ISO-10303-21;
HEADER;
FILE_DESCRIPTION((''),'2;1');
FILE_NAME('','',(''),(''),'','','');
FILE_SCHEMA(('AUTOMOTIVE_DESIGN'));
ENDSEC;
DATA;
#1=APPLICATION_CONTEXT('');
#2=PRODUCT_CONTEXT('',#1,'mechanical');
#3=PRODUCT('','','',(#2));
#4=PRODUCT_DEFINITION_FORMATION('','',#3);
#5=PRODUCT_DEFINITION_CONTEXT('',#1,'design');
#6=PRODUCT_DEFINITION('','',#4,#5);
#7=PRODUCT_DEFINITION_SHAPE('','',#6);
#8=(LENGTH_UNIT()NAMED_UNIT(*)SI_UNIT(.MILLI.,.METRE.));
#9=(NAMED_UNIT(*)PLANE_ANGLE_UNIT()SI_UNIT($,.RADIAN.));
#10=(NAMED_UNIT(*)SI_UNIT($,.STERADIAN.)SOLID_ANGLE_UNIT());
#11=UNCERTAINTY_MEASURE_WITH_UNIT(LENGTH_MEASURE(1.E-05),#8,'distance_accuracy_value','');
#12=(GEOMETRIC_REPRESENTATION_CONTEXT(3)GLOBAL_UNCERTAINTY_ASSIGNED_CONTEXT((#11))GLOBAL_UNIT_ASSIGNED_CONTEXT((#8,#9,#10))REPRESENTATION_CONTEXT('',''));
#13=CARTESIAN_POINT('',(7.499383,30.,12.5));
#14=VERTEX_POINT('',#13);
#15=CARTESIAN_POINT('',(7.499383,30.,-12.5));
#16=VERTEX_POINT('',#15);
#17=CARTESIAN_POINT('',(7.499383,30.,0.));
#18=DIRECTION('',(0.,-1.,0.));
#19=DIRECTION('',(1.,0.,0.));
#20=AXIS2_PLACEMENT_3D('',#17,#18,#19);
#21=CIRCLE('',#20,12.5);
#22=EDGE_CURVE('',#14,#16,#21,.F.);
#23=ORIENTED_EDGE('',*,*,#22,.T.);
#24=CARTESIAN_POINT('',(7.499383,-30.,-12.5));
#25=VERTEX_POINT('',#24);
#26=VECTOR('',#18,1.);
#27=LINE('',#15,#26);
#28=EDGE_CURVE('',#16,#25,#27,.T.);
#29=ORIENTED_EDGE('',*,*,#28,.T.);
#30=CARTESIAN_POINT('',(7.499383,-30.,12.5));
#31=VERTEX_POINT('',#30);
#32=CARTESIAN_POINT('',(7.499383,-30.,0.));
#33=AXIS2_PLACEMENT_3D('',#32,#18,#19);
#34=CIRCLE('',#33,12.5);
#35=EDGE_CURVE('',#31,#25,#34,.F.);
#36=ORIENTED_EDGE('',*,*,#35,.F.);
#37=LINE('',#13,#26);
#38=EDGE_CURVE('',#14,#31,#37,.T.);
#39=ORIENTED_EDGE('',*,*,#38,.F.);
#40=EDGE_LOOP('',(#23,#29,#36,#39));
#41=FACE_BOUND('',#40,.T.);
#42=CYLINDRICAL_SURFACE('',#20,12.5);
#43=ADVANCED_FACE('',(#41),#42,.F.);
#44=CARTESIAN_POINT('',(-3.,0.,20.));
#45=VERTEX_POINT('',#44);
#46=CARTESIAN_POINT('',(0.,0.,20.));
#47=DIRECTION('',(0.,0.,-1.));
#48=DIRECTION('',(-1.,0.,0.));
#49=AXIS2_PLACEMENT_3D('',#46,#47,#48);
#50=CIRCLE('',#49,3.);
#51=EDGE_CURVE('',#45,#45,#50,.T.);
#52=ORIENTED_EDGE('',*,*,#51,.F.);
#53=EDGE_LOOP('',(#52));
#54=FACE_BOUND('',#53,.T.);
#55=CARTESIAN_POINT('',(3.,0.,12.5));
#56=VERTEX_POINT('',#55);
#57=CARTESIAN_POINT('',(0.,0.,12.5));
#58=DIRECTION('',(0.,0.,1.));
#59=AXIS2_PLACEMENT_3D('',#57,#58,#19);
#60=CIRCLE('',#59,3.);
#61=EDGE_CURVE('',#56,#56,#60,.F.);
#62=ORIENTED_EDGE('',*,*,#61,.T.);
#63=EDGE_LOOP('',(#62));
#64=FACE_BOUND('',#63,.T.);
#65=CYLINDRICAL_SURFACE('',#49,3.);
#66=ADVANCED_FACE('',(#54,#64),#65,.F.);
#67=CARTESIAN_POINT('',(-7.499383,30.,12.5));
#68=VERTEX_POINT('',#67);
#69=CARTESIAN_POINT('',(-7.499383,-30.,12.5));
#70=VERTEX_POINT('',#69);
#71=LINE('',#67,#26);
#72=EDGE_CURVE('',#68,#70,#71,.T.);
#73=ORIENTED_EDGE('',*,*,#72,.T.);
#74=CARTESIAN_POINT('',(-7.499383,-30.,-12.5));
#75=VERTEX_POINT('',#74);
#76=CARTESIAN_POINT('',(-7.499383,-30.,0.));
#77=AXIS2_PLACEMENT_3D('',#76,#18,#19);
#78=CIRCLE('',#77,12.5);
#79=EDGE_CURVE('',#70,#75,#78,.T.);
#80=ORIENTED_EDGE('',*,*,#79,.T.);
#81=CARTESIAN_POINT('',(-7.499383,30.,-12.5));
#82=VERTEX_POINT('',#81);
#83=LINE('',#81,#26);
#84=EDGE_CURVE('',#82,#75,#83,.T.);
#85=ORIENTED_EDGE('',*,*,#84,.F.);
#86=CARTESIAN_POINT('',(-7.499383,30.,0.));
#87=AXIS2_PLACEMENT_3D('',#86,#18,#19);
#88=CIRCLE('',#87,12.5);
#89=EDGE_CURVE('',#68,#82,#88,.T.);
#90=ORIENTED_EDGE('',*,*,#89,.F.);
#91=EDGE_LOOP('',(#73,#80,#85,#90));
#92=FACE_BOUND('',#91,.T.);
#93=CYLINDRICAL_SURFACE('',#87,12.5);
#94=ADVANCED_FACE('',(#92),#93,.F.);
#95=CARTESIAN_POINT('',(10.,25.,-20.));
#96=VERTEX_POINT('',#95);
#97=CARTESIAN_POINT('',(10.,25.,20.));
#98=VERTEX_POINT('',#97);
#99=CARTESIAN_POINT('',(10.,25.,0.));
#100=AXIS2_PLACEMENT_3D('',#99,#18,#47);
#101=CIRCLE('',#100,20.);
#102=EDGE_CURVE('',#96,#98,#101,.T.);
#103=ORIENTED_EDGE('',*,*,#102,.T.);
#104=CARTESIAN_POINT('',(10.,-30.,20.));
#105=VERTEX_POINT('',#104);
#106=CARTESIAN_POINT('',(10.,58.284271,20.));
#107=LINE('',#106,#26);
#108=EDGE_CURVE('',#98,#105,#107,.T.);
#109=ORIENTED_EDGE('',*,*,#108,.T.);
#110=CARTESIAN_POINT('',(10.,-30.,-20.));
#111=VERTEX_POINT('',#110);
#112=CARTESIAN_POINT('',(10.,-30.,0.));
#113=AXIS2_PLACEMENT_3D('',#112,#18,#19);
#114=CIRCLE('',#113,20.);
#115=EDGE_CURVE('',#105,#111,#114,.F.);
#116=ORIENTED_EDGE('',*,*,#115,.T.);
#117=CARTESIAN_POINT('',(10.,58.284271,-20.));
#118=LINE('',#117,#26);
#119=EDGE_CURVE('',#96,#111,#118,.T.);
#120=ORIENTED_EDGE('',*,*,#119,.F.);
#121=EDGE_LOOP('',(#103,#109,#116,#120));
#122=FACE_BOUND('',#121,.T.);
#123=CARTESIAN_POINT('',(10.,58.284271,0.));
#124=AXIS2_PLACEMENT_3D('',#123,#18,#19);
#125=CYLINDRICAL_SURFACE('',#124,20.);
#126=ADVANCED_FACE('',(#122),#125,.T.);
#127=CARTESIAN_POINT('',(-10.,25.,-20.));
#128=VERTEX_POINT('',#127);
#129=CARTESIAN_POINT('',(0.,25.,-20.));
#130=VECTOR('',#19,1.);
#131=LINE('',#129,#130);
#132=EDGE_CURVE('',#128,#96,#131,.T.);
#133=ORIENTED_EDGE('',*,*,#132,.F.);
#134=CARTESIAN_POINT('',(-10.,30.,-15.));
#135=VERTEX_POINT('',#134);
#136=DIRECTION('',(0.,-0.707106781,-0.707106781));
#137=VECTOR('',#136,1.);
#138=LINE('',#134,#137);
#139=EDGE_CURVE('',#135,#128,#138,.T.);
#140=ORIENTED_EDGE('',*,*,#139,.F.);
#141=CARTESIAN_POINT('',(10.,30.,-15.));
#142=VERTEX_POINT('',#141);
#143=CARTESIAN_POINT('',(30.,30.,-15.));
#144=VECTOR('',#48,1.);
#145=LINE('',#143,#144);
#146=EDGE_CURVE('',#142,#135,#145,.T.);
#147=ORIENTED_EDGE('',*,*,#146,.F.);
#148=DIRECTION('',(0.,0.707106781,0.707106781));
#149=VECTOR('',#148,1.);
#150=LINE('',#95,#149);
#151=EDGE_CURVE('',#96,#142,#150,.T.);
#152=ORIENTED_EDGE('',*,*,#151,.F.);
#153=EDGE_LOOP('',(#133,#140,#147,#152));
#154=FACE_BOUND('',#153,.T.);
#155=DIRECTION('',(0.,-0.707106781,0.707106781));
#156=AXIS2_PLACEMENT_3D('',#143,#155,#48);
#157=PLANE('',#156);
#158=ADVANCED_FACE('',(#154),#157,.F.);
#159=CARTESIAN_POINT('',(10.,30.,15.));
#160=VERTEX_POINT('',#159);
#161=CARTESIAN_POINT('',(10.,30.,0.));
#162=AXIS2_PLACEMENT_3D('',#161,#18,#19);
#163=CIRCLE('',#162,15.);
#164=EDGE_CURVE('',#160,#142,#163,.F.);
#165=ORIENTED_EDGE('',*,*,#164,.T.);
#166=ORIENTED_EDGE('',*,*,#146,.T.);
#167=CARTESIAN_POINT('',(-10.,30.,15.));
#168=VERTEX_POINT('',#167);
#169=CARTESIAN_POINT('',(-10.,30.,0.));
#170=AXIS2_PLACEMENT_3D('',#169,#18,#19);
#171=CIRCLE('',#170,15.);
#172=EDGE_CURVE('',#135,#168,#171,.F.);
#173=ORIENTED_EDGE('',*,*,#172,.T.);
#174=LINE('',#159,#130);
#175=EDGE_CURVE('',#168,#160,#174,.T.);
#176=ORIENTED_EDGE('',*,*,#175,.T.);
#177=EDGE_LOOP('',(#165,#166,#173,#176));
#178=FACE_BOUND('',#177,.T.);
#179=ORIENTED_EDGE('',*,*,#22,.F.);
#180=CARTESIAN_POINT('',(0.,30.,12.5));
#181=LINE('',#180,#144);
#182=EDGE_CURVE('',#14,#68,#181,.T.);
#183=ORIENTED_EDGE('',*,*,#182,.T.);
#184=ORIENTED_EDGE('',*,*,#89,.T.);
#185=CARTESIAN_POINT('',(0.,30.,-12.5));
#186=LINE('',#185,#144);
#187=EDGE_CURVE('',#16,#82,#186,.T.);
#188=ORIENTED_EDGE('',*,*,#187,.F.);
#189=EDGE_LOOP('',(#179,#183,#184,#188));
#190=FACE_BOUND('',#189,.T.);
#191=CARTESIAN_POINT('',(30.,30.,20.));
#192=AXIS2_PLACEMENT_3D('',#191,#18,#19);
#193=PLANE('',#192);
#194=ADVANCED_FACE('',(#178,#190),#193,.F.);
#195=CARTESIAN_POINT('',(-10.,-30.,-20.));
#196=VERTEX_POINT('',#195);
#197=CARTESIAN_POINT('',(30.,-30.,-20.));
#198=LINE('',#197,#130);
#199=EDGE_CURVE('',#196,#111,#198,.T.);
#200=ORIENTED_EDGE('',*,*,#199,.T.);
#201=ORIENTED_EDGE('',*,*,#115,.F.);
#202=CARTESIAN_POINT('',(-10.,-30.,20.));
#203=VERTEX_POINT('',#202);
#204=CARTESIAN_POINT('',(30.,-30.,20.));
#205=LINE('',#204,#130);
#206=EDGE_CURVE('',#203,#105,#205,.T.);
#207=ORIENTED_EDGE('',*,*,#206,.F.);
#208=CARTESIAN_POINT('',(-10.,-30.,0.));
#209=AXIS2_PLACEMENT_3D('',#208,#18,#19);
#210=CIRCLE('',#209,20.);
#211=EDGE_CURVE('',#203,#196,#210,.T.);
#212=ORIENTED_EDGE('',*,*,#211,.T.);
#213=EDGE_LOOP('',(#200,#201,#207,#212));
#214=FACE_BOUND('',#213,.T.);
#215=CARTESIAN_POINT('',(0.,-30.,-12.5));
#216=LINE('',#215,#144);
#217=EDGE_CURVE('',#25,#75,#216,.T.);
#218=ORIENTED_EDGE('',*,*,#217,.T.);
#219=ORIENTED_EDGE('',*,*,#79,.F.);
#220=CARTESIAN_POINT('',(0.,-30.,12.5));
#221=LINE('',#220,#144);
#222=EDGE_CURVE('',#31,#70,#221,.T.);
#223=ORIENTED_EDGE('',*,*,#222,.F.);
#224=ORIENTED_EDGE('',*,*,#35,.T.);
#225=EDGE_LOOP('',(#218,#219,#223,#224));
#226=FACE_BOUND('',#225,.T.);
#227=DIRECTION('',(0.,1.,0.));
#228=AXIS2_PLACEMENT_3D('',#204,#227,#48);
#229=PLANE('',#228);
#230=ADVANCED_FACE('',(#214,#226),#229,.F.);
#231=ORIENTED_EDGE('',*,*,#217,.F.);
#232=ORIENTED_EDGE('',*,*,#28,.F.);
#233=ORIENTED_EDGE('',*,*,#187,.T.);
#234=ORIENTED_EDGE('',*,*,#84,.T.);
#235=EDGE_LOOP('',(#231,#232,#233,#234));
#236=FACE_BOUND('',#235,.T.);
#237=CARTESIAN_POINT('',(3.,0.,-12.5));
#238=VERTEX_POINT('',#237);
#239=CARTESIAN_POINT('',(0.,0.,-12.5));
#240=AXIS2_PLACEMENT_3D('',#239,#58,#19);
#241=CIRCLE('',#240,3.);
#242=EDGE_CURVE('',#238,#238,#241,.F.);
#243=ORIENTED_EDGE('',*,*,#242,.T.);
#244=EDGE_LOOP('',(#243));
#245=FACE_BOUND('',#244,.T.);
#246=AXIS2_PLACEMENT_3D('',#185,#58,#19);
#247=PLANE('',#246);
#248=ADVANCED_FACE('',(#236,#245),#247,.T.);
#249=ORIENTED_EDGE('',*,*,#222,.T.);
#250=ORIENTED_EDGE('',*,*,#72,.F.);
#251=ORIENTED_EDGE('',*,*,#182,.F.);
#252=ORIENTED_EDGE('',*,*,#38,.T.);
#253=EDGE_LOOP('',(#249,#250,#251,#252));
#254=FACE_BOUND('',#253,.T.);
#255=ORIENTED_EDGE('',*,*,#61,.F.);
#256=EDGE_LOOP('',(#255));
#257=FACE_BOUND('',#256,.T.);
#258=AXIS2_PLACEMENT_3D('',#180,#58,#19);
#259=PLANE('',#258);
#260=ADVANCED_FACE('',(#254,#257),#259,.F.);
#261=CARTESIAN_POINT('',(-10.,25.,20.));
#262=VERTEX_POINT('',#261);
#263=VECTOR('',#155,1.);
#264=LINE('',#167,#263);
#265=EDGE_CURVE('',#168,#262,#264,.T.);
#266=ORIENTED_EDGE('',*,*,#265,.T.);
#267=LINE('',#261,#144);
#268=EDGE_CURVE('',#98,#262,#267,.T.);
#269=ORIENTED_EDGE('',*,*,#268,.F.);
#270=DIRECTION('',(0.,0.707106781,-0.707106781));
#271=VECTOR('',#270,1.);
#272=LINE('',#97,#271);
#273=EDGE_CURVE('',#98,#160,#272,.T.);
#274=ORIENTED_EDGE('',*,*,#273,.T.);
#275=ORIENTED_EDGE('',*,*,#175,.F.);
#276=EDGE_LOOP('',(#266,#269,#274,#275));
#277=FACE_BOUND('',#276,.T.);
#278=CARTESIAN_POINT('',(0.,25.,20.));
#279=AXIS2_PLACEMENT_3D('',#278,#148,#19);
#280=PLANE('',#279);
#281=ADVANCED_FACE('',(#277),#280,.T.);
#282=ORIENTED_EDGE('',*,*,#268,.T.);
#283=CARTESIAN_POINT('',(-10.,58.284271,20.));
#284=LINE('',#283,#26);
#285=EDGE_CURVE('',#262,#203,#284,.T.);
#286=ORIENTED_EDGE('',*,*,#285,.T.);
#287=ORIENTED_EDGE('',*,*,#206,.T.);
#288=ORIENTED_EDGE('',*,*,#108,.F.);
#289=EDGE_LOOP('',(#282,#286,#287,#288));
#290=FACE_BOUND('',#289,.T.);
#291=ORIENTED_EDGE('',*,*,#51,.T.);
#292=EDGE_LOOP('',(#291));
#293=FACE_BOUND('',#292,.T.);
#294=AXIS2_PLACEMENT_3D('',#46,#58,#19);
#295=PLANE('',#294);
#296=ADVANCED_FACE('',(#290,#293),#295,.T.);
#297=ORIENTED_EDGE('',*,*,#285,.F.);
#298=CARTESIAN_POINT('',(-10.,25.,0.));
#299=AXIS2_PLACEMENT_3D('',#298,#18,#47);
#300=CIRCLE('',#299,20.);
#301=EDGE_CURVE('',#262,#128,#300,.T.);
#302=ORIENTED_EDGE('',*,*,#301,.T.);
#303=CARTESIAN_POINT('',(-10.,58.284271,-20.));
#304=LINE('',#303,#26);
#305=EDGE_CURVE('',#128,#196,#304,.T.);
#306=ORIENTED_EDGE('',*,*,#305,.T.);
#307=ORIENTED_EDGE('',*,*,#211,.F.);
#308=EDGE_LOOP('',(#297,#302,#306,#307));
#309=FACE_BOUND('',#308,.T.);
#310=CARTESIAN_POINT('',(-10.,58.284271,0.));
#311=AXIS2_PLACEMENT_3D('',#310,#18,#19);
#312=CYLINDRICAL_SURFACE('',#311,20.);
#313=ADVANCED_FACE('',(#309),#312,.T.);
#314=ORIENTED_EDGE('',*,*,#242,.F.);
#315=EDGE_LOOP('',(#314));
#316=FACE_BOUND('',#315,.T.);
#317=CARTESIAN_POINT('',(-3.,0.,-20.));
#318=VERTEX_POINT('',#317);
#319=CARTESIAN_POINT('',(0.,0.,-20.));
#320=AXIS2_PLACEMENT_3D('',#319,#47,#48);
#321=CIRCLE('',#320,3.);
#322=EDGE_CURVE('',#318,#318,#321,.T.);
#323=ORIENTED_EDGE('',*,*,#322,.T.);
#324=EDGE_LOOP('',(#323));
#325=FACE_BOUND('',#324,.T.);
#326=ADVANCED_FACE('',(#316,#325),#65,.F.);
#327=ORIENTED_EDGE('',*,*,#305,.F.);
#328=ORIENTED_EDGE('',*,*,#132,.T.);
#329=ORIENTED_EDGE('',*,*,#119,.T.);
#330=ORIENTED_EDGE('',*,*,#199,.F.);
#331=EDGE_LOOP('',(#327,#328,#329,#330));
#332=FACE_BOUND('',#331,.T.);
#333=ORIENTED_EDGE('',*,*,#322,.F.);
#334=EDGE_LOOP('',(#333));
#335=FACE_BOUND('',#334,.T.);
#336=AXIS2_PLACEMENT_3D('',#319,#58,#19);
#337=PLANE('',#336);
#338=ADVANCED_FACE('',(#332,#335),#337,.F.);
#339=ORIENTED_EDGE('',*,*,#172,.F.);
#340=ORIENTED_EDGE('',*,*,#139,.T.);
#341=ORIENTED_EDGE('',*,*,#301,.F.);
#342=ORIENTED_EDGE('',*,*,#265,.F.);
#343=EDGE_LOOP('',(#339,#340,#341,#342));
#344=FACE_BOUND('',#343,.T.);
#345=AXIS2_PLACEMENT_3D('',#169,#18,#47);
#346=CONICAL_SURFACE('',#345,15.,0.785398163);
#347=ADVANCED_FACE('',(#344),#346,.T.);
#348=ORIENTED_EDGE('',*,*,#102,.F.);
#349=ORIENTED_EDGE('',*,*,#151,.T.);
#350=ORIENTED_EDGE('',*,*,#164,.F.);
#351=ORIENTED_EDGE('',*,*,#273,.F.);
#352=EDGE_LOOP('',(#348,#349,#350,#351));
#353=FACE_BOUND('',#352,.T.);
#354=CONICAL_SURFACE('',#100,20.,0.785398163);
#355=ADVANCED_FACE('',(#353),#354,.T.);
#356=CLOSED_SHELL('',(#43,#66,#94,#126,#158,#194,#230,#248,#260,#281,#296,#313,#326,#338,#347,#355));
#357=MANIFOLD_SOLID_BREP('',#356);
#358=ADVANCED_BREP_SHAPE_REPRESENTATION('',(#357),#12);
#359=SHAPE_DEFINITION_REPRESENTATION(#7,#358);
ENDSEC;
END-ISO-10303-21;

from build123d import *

# Parameters (mm, degrees)
SKETCH1_W           = 60
SKETCH1_H           = 60
BOSS_EXTRUDE1_DEPTH = 20
CUT_EXTRUDE1_DEPTH  = 60
CHAMFER1_SIZE       = 5
SKETCH6_R           = 3
CUT_EXTRUDE2_DEPTH  = 59.309518948
SKETCH9_R           = 12.5
CUT_EXTRUDE4_DEPTH  = 71


with BuildPart() as part:
    # Sketch1 → Boss-Extrude1 (new, symmetric)
    with BuildSketch(Plane.XY):
        Rectangle(SKETCH1_W, SKETCH1_H)
    extrude(amount=BOSS_EXTRUDE1_DEPTH, both=True)

    # Sketch5 → Cut-Extrude1 (cut)
    with BuildSketch(Plane.XZ.offset(30)):
        with BuildLine():
            ThreePointArc((30, 0), (24.142135624, -14.142135624), (10, -20))
            Line((10, -20), (30, -20))
            Line((30, -20), (30, 0))
        make_face()
        with BuildLine():
            Line((30, 20), (10.000000023, 20))
            ThreePointArc((10.000000023, 20), (24.142135632, 14.142135615), (30, 0))
            Line((30, 0), (30, 20))
        make_face()
        with BuildLine():
            ThreePointArc((-30, -1.4e-08), (-24.142135621, 14.142135627), (-9.999999977, 20))
            Line((-9.999999977, 20), (-30, 20))
            Line((-30, 20), (-30, -1.4e-08))
        make_face()
        with BuildLine():
            Line((-30, -20), (-10, -20))
            ThreePointArc((-10, -20), (-24.142135619, -14.142135629), (-30, -1.4e-08))
            Line((-30, -1.4e-08), (-30, -20))
        make_face()
    extrude(amount=-CUT_EXTRUDE1_DEPTH, mode=Mode.SUBTRACT)

    # Chamfer1
    chamfer1_edges = [part.edges().sort_by_distance(p)[0] for p in [
        (0, 30, -20),
        (30, 30, -1.2e-08),
        (-30, 30, 1.2e-08),
        (2.3e-08, 30, 20),
    ]]
    chamfer(chamfer1_edges, length=CHAMFER1_SIZE)

    # Sketch6 → Cut-Extrude2 (cut, through all)
    with BuildSketch(Plane(origin=(0, 0, -20), x_dir=(-1, 0, 0), z_dir=(0, 0, -1))):
        Circle(SKETCH6_R)
    extrude(amount=-CUT_EXTRUDE2_DEPTH, mode=Mode.SUBTRACT)

    # Sketch9 → Cut-Extrude4 (cut, through all)
    with BuildSketch(Plane.XZ.offset(30)):
        with Locations((-7.499382611, 0)):
            Circle(SKETCH9_R)
        with Locations((7.499382611, 0)):
            Circle(SKETCH9_R)
        with BuildLine():
            ThreePointArc((0, 10.000463012), (3.546901596, 11.858663239), (7.499382611, 12.5))
            Line((7.499382611, 12.5), (-7.499382623, 12.5))
            ThreePointArc((-7.499382623, 12.5), (-3.546901601, 11.858663241), (0, 10.000463012))
        make_face()
        with BuildLine():
            Line((-7.499382656, -12.5), (7.499382577, -12.5))
            ThreePointArc((7.499382577, -12.5), (3.54690158, -11.858663234), (0, -10.000463012))
            ThreePointArc((0, -10.000463012), (-3.546901617, -11.858663246), (-7.499382656, -12.5))
        make_face()
    extrude(amount=-CUT_EXTRUDE4_DEPTH, mode=Mode.SUBTRACT)


solid = part.part
